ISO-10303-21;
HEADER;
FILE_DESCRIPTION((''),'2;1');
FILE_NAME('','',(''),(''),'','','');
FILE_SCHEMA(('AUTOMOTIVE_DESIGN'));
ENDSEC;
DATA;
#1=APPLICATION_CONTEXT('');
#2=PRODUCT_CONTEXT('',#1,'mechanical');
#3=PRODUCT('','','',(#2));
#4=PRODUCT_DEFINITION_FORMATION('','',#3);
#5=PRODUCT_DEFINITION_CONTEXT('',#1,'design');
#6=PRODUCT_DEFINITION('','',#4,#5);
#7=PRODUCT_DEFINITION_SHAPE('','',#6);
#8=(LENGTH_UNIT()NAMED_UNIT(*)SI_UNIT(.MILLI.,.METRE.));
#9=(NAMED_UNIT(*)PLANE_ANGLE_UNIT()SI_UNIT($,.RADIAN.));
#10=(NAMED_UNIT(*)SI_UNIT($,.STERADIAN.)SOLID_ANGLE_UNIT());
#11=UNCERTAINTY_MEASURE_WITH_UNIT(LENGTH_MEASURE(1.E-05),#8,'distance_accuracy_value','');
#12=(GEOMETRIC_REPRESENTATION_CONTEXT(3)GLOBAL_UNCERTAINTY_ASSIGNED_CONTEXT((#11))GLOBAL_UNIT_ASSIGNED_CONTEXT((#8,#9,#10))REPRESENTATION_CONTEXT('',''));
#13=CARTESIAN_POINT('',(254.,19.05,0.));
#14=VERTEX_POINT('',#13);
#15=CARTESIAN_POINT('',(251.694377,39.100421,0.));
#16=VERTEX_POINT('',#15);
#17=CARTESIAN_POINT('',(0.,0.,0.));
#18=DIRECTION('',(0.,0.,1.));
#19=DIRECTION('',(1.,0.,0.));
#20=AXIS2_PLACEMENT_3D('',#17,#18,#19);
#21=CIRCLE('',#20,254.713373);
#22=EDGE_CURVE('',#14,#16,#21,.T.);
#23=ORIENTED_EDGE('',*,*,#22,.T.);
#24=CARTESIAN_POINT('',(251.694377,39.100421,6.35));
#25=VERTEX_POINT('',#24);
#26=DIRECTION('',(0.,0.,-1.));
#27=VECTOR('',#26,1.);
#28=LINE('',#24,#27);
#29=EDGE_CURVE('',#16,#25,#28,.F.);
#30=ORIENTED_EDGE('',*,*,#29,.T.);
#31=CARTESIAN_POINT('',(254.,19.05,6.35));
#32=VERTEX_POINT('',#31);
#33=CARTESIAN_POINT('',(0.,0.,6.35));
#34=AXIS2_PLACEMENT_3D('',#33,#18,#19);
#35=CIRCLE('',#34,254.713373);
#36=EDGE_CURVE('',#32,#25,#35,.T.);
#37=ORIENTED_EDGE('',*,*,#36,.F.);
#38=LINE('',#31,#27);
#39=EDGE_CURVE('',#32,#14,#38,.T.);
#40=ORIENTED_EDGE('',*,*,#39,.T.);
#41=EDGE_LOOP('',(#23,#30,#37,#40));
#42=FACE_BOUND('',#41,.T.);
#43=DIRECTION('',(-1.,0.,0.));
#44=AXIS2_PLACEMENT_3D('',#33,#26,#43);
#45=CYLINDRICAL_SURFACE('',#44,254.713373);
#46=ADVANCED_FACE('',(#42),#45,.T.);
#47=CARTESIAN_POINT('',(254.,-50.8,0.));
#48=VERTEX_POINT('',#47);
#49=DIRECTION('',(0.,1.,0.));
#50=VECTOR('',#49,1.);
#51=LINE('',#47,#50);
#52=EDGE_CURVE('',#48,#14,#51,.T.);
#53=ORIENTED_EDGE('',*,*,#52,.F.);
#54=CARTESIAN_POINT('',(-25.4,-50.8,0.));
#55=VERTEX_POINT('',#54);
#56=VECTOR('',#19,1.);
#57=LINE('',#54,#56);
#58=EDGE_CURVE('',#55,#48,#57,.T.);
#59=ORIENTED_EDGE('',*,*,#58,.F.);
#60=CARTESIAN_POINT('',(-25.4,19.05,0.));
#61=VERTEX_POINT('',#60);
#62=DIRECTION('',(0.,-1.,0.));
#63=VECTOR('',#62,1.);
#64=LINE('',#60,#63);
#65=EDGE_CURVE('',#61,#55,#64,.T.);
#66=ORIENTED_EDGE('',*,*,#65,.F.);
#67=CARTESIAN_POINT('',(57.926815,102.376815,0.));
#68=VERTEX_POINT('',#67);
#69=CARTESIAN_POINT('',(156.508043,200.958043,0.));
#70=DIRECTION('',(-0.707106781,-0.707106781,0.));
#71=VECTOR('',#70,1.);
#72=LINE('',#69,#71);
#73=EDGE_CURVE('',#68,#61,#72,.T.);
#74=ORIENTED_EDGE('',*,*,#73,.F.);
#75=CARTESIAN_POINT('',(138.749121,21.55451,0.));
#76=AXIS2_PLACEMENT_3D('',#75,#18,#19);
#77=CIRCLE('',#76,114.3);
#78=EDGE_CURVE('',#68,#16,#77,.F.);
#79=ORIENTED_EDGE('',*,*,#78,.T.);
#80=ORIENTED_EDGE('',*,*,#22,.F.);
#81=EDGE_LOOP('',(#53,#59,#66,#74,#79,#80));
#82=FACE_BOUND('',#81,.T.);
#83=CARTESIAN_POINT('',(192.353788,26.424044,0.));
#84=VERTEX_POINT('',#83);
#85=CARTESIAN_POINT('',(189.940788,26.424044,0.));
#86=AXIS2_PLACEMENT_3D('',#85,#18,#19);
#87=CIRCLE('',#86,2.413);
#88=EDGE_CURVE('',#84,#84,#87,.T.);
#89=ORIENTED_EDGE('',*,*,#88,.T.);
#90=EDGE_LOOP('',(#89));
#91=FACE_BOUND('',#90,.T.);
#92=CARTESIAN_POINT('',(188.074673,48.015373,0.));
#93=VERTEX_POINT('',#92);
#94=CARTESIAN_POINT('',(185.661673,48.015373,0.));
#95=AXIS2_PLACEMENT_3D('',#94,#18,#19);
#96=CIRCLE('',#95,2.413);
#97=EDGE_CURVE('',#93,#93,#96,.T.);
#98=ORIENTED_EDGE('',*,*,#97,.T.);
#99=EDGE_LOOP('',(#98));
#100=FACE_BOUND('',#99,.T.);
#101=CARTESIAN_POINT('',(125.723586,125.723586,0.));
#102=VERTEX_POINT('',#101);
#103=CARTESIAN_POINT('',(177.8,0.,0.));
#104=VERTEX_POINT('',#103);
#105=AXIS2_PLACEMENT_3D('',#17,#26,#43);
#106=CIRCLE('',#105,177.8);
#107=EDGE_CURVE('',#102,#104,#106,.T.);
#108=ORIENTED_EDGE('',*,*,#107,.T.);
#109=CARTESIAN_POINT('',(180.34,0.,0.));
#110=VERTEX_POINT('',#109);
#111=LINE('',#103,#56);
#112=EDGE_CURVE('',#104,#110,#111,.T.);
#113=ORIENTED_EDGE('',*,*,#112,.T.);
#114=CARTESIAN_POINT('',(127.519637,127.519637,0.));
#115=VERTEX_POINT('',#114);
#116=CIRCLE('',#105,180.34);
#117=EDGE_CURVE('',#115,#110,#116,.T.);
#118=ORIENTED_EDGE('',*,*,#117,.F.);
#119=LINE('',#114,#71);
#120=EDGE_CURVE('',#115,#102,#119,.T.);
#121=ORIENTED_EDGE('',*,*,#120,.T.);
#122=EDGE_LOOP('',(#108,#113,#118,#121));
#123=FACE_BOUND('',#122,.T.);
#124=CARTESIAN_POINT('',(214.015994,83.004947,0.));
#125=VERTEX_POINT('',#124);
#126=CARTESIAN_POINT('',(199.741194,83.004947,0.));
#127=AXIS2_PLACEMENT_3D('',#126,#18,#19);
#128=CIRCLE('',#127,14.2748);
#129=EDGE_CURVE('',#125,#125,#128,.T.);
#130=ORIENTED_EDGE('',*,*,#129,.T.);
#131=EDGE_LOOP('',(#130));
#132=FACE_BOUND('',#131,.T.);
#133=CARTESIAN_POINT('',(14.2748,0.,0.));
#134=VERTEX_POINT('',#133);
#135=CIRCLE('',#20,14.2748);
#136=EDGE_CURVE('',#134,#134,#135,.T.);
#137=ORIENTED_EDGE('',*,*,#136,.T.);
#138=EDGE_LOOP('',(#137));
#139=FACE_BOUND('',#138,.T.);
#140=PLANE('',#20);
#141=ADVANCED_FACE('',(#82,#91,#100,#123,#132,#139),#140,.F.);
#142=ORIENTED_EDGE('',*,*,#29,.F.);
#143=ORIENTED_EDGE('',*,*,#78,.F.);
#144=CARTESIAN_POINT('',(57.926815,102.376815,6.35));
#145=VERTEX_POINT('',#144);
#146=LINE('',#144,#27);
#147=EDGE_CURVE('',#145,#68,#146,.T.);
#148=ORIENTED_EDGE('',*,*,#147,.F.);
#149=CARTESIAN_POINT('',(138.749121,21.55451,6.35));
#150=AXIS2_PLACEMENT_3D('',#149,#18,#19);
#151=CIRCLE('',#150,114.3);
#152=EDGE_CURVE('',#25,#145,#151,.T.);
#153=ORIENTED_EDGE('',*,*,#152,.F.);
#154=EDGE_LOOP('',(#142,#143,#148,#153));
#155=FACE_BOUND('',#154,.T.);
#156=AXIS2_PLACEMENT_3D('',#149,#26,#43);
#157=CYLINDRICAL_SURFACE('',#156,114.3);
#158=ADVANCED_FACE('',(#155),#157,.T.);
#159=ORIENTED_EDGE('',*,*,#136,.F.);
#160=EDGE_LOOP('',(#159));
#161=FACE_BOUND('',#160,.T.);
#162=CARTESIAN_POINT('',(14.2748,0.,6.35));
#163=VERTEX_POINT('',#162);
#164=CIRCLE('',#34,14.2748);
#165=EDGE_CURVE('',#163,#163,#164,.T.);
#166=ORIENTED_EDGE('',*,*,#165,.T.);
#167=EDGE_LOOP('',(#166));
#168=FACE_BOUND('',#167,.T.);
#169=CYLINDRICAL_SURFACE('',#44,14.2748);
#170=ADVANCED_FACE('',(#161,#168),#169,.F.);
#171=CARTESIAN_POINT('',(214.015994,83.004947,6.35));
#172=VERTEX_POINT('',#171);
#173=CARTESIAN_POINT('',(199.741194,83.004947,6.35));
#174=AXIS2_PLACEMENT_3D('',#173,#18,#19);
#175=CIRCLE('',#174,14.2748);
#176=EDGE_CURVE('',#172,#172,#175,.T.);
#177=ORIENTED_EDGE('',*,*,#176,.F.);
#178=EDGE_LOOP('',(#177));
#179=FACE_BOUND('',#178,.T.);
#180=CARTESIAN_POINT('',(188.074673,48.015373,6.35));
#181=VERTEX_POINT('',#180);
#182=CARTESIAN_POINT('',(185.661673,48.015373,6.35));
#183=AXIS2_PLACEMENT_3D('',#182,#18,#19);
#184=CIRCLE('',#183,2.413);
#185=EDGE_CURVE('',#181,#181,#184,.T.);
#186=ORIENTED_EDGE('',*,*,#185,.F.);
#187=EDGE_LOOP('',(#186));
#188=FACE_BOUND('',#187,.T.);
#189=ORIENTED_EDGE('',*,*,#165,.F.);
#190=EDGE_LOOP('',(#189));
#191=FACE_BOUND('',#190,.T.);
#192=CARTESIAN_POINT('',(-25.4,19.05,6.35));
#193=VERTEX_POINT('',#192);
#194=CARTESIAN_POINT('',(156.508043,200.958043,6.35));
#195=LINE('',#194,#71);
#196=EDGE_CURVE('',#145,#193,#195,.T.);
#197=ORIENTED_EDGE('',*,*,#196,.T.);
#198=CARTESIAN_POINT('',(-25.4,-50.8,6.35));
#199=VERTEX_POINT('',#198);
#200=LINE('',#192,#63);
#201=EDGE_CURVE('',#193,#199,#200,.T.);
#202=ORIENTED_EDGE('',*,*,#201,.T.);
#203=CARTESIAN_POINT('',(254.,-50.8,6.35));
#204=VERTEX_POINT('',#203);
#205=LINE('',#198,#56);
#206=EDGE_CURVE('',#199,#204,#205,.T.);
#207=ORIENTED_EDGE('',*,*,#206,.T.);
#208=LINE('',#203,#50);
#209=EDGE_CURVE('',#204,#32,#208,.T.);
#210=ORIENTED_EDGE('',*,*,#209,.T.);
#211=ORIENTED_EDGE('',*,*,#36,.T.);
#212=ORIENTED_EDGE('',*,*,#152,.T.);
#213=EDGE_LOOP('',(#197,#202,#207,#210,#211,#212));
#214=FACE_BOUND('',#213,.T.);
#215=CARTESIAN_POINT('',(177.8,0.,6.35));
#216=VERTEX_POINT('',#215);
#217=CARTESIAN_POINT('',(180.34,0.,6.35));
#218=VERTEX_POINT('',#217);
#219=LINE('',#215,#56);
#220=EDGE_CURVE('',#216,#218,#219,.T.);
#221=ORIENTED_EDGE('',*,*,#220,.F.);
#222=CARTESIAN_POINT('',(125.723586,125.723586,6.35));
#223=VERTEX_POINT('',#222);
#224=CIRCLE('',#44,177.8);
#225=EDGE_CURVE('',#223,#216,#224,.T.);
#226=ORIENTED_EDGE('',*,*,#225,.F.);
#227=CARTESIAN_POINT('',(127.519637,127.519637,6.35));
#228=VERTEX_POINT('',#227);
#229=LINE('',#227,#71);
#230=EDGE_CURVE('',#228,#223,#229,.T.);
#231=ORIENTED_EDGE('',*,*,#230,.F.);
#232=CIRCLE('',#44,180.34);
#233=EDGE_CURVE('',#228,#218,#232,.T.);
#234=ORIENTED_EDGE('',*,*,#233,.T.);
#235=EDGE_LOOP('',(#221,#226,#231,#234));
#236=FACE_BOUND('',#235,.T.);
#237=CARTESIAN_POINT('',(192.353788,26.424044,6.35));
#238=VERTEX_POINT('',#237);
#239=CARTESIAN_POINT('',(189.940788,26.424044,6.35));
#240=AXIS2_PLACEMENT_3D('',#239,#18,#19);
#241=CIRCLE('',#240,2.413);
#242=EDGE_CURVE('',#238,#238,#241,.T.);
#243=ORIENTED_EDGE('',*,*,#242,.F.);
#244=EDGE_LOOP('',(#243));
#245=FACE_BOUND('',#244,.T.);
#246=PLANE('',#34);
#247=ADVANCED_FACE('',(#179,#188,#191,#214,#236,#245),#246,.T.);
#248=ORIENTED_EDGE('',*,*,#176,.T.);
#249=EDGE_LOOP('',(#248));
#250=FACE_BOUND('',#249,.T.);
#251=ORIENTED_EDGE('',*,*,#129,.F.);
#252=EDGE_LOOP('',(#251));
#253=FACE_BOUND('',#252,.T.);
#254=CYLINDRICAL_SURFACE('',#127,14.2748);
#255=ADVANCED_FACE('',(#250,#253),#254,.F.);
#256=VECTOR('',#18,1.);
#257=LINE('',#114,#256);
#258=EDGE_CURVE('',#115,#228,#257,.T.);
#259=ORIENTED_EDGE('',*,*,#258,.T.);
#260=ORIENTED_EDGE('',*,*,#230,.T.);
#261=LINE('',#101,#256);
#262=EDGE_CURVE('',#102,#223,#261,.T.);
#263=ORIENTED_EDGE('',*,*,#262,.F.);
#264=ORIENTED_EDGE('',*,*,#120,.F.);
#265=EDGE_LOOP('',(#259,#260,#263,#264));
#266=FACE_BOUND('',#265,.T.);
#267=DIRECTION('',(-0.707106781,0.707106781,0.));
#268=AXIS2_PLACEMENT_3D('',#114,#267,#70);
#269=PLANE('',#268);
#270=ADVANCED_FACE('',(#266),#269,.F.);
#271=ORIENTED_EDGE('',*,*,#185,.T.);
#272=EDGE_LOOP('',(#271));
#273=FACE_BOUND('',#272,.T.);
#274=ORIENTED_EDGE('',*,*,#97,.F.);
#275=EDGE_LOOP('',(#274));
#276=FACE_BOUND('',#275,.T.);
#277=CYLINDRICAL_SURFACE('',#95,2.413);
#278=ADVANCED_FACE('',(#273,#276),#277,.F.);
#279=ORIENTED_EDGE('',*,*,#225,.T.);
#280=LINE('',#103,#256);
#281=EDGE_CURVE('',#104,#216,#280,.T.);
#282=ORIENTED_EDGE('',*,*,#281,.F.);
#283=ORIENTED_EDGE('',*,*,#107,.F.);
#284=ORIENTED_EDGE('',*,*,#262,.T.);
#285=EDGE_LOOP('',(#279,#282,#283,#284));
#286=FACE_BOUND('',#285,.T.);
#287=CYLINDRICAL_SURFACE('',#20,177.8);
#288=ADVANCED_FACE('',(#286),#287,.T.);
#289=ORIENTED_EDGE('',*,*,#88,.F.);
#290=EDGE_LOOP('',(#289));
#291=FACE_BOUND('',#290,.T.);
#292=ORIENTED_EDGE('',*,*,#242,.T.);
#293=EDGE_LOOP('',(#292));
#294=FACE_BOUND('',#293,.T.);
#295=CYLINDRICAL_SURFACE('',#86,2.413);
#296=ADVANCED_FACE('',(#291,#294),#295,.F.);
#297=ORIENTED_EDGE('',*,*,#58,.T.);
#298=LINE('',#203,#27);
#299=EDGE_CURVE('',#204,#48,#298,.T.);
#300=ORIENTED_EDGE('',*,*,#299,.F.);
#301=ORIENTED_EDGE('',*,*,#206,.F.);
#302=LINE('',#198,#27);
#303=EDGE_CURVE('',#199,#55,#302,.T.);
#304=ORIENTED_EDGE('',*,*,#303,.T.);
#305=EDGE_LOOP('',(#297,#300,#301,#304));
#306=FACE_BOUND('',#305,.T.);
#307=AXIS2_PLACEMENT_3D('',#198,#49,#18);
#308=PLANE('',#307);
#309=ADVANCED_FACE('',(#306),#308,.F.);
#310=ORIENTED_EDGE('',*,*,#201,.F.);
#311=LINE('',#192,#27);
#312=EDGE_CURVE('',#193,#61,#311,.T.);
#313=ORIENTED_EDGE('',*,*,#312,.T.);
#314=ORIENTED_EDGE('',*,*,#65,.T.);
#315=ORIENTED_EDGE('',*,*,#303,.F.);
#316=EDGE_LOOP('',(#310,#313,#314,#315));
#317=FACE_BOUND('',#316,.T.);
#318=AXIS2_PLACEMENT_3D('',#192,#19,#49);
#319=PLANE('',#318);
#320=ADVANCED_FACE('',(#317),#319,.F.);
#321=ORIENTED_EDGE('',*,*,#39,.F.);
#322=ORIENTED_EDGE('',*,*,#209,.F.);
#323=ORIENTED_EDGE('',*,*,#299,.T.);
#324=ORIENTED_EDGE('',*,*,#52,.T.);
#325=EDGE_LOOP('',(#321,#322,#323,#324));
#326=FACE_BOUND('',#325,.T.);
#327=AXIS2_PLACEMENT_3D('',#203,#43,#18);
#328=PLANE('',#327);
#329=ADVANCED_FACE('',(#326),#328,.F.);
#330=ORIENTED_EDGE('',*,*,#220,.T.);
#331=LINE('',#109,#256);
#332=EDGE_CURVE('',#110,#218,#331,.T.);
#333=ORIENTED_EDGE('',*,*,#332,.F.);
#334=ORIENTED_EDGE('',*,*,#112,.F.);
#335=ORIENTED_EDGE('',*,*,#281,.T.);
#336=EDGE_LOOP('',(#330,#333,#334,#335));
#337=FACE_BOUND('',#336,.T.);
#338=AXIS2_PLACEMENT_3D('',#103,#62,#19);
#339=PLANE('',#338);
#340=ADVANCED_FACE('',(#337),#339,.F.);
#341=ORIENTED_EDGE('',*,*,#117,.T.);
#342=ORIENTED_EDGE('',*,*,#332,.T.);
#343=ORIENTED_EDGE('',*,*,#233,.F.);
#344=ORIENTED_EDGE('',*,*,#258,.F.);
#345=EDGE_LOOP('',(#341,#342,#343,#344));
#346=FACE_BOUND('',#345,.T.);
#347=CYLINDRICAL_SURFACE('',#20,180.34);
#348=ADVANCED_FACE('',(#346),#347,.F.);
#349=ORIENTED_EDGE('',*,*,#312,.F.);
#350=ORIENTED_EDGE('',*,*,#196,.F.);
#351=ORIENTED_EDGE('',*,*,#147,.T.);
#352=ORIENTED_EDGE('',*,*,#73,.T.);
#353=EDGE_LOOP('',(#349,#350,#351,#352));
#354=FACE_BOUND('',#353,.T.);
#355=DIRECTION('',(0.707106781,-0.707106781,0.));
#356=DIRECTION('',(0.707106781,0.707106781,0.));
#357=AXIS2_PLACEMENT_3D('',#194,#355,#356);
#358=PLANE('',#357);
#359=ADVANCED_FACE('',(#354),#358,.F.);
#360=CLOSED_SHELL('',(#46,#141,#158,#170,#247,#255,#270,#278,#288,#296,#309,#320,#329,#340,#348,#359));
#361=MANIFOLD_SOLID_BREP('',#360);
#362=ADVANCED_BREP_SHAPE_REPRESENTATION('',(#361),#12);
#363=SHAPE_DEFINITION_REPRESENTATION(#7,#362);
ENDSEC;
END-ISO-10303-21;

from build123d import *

# Parameters (mm, degrees)
SKETCH1_R               = 14.2748
BOSS_EXTRUDE1_DEPTH     = 6.35
CUT_EXTRUDE1_DEPTH      = 7.35
SKETCH3_R               = 14.2748
CUT_EXTRUDE2_DEPTH      = 7.35
SKETCH5_R               = 2.413
CUT_EXTRUDE3_DEPTH      = 1
CUT_EXTRUDE3_DEPTH_BACK = 7.35
FILLET1_R               = 114.3


with BuildPart() as part:
    # Sketch1 → Boss-Extrude1 (new body)
    with BuildSketch(Plane.XY):
        with BuildLine():
            Line((-25.4, -50.8), (254, -50.8))
            Line((254, -50.8), (254, 19.05))
            ThreePointArc((254, 19.05), (224.503557522, 120.320634806), (156.508042902, 200.958042902))
            Line((156.508042902, 200.958042902), (-25.4, 19.05))
            Line((-25.4, 19.05), (-25.4, -50.8))
        make_face()
        Circle(SKETCH1_R, mode=Mode.SUBTRACT)
    extrude(amount=BOSS_EXTRUDE1_DEPTH)

    # Sketch2 → Cut-Extrude1 (cut, through all)
    with BuildSketch(Plane.XY.offset(6.35)):
        with BuildLine():
            Line((127.519636919, 127.519636919), (125.723585695, 125.723585695))
            ThreePointArc((125.723585695, 125.723585695), (164.265780881, 68.041114275), (177.8, 0))
            Line((177.8, 0), (180.34, 0))
            ThreePointArc((180.34, 0), (166.612434893, 69.013130193), (127.519636919, 127.519636919))
        make_face()
    extrude(amount=-CUT_EXTRUDE1_DEPTH, mode=Mode.SUBTRACT)

    # Sketch3 → Cut-Extrude2 (cut, through all)
    with BuildSketch(Plane.XY.offset(6.35)):
        with Locations((199.741193703, 83.004946712)):
            Circle(SKETCH3_R)
    extrude(amount=-CUT_EXTRUDE2_DEPTH, mode=Mode.SUBTRACT)

    # Sketch5 → Cut-Extrude3 (cut, two sides)
    with BuildSketch(Plane.XY.offset(6.35)) as cut_extrude3_sk:
        with Locations((185.661672995, 48.015373378)):
            Circle(SKETCH5_R)
        with Locations((189.940787606, 26.424044045)):
            Circle(SKETCH5_R)
    extrude(amount=CUT_EXTRUDE3_DEPTH, mode=Mode.SUBTRACT)
    extrude(cut_extrude3_sk.sketch, amount=-CUT_EXTRUDE3_DEPTH_BACK, mode=Mode.SUBTRACT)

    # Fillet1
    fillet1_edges = [part.edges().sort_by_distance(p)[0] for p in [
        (156.508042902, 200.958042902, 3.175),
    ]]
    fillet(fillet1_edges, radius=FILLET1_R)


solid = part.part
